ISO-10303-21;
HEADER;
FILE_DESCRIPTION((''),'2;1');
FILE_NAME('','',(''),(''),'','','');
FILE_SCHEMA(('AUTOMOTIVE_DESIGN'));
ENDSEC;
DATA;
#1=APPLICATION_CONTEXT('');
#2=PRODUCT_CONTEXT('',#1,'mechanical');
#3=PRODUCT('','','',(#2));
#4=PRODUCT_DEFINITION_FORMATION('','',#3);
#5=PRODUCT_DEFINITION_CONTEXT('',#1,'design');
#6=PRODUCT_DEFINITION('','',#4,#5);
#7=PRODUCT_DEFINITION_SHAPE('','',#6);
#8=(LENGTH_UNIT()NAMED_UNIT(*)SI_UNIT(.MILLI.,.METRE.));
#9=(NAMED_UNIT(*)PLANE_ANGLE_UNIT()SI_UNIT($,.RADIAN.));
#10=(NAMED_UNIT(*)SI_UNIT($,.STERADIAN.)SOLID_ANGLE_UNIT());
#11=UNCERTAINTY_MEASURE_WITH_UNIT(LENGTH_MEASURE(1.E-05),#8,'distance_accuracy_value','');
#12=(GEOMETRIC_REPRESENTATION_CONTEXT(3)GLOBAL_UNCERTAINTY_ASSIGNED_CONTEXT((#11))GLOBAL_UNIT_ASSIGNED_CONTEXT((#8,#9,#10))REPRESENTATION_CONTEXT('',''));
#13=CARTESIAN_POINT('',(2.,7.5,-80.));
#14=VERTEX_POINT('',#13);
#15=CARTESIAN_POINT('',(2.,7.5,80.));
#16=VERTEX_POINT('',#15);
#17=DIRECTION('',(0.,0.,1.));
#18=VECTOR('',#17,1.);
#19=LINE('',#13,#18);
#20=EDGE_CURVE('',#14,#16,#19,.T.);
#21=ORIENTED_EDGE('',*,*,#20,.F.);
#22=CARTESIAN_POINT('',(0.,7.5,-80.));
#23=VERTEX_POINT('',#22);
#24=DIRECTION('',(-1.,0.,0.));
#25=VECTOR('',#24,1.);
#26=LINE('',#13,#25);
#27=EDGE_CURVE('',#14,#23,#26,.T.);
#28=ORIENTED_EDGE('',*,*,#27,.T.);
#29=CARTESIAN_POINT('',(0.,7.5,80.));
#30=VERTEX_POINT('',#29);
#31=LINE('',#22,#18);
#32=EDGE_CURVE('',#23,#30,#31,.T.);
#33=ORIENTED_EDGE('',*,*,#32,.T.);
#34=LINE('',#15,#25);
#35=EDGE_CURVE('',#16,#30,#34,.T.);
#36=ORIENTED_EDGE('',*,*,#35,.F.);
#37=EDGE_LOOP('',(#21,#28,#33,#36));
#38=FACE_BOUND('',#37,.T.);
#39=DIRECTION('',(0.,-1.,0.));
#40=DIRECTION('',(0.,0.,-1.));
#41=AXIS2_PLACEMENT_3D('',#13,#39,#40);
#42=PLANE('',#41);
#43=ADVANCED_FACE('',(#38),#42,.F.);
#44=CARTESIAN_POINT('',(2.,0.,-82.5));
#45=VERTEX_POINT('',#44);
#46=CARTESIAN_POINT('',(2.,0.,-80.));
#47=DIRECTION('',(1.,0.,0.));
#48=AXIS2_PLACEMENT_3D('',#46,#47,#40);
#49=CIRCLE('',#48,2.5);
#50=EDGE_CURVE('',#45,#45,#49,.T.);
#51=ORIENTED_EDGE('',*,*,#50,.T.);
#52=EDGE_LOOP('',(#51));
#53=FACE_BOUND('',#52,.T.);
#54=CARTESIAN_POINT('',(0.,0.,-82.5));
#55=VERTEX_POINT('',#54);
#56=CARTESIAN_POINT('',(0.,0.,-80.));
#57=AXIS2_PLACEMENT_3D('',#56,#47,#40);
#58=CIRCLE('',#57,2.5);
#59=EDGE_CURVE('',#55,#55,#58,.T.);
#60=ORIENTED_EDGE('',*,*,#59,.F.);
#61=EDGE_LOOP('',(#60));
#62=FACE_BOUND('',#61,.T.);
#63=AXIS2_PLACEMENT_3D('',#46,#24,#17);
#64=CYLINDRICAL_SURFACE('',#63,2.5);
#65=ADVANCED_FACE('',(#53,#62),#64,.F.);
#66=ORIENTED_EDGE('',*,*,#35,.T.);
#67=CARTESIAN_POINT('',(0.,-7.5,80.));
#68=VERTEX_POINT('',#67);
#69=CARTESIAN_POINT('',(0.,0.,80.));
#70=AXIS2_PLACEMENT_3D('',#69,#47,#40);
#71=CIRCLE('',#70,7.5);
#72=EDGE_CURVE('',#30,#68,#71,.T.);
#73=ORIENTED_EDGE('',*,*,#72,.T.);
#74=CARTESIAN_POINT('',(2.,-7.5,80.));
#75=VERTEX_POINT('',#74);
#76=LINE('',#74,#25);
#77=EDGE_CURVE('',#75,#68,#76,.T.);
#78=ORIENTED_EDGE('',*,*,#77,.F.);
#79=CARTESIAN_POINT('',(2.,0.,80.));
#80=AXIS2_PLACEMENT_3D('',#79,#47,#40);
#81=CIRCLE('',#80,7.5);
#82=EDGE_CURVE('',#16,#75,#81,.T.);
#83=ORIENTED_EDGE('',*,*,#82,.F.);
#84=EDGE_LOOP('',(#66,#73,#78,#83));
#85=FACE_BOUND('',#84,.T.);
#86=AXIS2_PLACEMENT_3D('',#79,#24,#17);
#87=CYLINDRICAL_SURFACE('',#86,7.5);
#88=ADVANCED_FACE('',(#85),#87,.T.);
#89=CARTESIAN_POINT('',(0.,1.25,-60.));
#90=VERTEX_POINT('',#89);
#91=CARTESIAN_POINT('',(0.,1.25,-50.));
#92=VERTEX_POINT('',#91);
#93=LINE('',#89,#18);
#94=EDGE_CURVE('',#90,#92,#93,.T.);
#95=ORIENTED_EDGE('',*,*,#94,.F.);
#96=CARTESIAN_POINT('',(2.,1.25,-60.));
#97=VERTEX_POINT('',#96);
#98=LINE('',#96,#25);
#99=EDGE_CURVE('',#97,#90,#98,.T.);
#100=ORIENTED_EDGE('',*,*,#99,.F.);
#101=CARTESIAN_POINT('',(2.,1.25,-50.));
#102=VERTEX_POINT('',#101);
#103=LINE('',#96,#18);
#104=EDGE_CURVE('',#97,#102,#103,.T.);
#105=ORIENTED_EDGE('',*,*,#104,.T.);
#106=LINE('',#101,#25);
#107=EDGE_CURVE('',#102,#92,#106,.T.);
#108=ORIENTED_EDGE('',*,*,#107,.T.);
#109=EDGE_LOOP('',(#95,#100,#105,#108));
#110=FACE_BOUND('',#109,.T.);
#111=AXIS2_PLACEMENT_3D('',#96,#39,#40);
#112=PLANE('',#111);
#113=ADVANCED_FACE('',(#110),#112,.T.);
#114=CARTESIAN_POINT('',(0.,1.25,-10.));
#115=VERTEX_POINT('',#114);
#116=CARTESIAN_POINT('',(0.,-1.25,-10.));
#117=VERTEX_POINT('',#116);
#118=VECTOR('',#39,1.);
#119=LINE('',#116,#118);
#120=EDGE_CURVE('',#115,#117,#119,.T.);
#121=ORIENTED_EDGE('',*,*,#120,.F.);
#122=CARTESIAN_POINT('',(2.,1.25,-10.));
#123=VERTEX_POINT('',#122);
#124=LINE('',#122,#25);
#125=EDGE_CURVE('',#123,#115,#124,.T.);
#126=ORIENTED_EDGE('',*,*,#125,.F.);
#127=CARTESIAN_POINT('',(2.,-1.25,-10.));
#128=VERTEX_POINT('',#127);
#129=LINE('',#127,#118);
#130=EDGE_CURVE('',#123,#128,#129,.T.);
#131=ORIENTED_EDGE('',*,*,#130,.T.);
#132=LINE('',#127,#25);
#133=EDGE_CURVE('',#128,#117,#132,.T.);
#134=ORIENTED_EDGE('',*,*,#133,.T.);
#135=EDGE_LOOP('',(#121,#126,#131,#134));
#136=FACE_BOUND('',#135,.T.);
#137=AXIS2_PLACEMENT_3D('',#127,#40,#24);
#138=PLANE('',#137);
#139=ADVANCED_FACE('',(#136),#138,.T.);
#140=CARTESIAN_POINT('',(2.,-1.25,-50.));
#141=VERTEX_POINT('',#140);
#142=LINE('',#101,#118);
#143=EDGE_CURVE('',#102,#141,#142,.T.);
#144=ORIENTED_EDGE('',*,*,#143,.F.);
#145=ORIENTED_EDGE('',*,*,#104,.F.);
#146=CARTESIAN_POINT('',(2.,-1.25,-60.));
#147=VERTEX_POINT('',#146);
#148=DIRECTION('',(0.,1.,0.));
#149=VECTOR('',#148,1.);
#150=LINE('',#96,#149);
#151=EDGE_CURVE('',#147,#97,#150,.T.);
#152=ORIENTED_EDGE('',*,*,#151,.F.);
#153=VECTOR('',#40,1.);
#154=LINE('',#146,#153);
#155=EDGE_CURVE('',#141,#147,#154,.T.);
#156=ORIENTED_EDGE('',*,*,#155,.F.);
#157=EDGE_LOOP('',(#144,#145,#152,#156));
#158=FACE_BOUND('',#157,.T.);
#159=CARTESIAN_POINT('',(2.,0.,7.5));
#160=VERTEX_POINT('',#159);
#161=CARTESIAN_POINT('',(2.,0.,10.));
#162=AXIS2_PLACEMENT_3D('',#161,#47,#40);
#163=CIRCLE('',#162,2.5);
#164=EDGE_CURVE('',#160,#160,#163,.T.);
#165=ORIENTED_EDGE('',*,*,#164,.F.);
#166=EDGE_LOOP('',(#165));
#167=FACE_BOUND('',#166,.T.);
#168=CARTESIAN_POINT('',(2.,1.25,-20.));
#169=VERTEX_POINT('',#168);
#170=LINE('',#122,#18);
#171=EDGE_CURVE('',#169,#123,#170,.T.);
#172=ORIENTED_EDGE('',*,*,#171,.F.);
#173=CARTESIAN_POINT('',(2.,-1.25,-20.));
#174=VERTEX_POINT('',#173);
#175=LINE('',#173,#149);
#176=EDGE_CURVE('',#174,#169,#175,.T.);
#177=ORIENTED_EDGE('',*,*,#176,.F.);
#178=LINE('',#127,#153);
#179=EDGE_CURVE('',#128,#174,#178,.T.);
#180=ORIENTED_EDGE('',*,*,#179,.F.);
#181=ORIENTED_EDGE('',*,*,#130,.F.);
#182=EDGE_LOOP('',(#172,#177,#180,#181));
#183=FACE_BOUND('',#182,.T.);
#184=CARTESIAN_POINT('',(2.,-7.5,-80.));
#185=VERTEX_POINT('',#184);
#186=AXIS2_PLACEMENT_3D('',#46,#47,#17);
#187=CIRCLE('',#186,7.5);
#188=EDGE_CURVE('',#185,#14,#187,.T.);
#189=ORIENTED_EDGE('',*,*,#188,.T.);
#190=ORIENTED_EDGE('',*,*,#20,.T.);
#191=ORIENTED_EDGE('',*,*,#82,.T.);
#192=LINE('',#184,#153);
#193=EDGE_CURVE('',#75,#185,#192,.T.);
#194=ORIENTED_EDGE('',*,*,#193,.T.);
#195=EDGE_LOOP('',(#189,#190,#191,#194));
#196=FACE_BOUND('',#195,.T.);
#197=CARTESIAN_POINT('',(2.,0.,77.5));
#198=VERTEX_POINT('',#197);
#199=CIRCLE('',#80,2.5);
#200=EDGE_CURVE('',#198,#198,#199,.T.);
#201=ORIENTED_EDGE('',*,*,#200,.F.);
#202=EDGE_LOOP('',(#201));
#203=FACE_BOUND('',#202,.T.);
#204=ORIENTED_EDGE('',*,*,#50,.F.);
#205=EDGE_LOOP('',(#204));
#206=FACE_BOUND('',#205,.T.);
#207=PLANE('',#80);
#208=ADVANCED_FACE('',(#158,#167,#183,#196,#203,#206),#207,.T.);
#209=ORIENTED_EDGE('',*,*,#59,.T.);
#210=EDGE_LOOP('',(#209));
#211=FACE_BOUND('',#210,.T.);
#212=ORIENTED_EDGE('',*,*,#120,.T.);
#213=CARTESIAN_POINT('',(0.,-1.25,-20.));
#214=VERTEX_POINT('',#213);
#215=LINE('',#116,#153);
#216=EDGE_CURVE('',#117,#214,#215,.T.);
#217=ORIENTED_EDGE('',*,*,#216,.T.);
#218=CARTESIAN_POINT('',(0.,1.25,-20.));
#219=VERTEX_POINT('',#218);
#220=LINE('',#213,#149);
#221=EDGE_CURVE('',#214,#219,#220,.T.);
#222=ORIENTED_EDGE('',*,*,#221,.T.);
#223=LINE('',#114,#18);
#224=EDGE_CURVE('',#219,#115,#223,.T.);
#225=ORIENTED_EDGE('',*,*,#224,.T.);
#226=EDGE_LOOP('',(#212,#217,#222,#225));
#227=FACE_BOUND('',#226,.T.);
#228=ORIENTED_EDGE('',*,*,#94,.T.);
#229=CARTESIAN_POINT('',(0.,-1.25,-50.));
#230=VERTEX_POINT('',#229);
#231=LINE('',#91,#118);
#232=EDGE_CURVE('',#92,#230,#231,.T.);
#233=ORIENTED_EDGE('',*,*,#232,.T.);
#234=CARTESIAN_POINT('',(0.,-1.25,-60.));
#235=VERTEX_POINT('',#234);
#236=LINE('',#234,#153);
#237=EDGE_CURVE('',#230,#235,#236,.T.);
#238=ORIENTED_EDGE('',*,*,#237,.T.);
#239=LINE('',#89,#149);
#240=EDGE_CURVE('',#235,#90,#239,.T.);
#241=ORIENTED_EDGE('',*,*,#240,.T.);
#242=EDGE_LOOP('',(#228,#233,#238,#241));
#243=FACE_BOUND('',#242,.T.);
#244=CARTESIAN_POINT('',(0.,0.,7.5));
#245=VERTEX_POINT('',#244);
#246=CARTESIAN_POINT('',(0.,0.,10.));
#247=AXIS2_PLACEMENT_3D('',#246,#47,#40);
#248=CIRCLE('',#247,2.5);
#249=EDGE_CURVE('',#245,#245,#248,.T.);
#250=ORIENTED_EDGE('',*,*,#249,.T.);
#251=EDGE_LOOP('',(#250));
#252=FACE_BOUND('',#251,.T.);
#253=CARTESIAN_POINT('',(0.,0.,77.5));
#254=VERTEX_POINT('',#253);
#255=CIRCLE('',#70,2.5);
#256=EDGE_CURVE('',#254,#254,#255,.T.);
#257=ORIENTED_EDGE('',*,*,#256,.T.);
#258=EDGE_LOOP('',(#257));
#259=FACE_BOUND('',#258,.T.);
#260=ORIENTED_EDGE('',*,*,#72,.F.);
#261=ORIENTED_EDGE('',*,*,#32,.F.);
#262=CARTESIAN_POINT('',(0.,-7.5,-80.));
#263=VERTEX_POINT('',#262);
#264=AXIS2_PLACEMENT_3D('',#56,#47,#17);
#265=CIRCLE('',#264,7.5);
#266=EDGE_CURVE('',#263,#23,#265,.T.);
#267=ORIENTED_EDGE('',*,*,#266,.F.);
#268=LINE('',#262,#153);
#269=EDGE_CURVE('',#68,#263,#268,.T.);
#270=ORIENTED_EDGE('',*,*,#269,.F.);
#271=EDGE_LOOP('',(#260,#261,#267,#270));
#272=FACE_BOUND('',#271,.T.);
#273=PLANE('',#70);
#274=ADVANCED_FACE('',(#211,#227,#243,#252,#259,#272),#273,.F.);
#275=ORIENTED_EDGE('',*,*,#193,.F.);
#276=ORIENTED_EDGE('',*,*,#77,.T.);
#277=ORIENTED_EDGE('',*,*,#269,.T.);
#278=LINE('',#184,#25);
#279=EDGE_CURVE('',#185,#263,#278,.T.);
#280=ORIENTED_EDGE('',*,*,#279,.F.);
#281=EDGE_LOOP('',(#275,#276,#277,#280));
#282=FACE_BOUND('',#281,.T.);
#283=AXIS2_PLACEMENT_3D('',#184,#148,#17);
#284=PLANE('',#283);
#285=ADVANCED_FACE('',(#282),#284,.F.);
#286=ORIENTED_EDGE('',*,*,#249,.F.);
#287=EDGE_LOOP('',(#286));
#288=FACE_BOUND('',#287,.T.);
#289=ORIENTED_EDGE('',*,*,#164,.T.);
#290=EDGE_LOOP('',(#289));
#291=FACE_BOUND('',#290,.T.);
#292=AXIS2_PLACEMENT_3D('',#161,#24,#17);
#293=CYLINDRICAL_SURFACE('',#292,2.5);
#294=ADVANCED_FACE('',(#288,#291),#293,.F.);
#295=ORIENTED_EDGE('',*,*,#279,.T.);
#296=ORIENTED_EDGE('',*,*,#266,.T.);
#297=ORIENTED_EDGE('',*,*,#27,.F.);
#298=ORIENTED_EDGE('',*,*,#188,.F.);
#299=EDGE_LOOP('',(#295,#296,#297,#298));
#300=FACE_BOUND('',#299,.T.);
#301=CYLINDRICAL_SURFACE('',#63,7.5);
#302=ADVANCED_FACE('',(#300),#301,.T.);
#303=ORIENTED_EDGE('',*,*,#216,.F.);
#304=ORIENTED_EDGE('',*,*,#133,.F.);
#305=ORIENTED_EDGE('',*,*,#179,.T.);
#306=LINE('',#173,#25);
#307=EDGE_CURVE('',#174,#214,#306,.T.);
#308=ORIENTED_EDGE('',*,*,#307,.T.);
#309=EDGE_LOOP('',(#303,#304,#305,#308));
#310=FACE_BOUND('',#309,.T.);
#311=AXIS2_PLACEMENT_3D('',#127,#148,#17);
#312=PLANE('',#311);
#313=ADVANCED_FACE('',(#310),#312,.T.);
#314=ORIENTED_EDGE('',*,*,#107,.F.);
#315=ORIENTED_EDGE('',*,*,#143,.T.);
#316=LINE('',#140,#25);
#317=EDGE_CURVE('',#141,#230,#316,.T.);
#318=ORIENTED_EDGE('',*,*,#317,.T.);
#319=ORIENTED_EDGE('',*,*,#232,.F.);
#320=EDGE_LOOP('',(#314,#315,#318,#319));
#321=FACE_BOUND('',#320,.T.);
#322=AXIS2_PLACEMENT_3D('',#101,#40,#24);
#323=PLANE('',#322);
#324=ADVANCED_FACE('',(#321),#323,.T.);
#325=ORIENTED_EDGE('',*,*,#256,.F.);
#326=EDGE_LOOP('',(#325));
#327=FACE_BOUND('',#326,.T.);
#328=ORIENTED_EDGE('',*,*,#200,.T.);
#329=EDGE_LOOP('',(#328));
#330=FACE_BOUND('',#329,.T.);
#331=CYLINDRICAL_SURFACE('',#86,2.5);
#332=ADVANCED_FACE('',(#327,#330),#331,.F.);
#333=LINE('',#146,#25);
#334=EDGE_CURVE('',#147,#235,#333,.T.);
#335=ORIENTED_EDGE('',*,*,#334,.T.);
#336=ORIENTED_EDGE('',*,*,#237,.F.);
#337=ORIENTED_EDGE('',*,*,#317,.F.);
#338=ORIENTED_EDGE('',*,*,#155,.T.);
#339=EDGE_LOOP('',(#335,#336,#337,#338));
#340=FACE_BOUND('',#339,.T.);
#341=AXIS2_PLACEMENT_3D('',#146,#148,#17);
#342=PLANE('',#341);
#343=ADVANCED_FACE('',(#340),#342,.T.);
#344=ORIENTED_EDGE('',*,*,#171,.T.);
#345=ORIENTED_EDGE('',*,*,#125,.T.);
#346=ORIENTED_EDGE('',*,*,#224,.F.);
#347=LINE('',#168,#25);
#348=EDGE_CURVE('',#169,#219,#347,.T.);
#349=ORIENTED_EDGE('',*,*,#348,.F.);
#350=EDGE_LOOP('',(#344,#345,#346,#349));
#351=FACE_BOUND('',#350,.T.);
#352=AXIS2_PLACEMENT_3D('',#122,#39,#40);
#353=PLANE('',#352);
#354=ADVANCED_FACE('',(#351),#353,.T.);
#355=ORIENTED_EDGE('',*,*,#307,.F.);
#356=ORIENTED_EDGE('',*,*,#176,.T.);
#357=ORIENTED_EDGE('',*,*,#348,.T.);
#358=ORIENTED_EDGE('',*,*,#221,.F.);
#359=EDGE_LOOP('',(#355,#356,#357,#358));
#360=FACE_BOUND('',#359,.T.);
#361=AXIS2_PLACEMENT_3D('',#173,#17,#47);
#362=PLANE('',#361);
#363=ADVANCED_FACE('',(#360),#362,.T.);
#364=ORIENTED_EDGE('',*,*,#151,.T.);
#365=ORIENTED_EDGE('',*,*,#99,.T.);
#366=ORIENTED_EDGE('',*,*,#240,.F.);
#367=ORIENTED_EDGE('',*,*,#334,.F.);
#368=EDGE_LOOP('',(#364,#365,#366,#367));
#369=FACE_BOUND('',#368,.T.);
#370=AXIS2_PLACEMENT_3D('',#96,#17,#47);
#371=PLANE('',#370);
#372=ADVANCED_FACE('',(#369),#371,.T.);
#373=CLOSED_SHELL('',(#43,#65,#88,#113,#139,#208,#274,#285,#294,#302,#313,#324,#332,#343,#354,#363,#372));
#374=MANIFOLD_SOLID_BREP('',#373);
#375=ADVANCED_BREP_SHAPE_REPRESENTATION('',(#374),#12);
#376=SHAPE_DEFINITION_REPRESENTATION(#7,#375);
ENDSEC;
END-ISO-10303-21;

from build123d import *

# Parameters (mm, degrees)
SCHIZZO1_R                   = 2.5
SCHIZZO1_W                   = 10
SCHIZZO1_H                   = 2.5
ESTRUSIONE_ESTRUSIONE1_DEPTH = 2


with BuildPart() as part:
    # Schizzo1 → Estrusione-Estrusione1 (new body)
    with BuildSketch(Plane(origin=(0, 0, 0), x_dir=(0, 0, -1), z_dir=(1, 0, 0))):
        with BuildLine():
            Line((80, -7.5), (-80, -7.5))
            ThreePointArc((-80, -7.5), (-87.5, 0), (-80, 7.5))
            Line((-80, 7.5), (80, 7.5))
            ThreePointArc((80, 7.5), (87.5, 0), (80, -7.5))
        make_face()
        with Locations((-80, 0)):
            Circle(SCHIZZO1_R, mode=Mode.SUBTRACT)
        with Locations((80, 0)):
            Circle(SCHIZZO1_R, mode=Mode.SUBTRACT)
        with Locations((-10, 0)):
            Circle(SCHIZZO1_R, mode=Mode.SUBTRACT)
        with Locations((15, 0)):
            Rectangle(SCHIZZO1_W, SCHIZZO1_H, mode=Mode.SUBTRACT)
        with Locations((55, 0)):
            Rectangle(SCHIZZO1_W, SCHIZZO1_H, mode=Mode.SUBTRACT)
    extrude(amount=ESTRUSIONE_ESTRUSIONE1_DEPTH)


solid = part.part
